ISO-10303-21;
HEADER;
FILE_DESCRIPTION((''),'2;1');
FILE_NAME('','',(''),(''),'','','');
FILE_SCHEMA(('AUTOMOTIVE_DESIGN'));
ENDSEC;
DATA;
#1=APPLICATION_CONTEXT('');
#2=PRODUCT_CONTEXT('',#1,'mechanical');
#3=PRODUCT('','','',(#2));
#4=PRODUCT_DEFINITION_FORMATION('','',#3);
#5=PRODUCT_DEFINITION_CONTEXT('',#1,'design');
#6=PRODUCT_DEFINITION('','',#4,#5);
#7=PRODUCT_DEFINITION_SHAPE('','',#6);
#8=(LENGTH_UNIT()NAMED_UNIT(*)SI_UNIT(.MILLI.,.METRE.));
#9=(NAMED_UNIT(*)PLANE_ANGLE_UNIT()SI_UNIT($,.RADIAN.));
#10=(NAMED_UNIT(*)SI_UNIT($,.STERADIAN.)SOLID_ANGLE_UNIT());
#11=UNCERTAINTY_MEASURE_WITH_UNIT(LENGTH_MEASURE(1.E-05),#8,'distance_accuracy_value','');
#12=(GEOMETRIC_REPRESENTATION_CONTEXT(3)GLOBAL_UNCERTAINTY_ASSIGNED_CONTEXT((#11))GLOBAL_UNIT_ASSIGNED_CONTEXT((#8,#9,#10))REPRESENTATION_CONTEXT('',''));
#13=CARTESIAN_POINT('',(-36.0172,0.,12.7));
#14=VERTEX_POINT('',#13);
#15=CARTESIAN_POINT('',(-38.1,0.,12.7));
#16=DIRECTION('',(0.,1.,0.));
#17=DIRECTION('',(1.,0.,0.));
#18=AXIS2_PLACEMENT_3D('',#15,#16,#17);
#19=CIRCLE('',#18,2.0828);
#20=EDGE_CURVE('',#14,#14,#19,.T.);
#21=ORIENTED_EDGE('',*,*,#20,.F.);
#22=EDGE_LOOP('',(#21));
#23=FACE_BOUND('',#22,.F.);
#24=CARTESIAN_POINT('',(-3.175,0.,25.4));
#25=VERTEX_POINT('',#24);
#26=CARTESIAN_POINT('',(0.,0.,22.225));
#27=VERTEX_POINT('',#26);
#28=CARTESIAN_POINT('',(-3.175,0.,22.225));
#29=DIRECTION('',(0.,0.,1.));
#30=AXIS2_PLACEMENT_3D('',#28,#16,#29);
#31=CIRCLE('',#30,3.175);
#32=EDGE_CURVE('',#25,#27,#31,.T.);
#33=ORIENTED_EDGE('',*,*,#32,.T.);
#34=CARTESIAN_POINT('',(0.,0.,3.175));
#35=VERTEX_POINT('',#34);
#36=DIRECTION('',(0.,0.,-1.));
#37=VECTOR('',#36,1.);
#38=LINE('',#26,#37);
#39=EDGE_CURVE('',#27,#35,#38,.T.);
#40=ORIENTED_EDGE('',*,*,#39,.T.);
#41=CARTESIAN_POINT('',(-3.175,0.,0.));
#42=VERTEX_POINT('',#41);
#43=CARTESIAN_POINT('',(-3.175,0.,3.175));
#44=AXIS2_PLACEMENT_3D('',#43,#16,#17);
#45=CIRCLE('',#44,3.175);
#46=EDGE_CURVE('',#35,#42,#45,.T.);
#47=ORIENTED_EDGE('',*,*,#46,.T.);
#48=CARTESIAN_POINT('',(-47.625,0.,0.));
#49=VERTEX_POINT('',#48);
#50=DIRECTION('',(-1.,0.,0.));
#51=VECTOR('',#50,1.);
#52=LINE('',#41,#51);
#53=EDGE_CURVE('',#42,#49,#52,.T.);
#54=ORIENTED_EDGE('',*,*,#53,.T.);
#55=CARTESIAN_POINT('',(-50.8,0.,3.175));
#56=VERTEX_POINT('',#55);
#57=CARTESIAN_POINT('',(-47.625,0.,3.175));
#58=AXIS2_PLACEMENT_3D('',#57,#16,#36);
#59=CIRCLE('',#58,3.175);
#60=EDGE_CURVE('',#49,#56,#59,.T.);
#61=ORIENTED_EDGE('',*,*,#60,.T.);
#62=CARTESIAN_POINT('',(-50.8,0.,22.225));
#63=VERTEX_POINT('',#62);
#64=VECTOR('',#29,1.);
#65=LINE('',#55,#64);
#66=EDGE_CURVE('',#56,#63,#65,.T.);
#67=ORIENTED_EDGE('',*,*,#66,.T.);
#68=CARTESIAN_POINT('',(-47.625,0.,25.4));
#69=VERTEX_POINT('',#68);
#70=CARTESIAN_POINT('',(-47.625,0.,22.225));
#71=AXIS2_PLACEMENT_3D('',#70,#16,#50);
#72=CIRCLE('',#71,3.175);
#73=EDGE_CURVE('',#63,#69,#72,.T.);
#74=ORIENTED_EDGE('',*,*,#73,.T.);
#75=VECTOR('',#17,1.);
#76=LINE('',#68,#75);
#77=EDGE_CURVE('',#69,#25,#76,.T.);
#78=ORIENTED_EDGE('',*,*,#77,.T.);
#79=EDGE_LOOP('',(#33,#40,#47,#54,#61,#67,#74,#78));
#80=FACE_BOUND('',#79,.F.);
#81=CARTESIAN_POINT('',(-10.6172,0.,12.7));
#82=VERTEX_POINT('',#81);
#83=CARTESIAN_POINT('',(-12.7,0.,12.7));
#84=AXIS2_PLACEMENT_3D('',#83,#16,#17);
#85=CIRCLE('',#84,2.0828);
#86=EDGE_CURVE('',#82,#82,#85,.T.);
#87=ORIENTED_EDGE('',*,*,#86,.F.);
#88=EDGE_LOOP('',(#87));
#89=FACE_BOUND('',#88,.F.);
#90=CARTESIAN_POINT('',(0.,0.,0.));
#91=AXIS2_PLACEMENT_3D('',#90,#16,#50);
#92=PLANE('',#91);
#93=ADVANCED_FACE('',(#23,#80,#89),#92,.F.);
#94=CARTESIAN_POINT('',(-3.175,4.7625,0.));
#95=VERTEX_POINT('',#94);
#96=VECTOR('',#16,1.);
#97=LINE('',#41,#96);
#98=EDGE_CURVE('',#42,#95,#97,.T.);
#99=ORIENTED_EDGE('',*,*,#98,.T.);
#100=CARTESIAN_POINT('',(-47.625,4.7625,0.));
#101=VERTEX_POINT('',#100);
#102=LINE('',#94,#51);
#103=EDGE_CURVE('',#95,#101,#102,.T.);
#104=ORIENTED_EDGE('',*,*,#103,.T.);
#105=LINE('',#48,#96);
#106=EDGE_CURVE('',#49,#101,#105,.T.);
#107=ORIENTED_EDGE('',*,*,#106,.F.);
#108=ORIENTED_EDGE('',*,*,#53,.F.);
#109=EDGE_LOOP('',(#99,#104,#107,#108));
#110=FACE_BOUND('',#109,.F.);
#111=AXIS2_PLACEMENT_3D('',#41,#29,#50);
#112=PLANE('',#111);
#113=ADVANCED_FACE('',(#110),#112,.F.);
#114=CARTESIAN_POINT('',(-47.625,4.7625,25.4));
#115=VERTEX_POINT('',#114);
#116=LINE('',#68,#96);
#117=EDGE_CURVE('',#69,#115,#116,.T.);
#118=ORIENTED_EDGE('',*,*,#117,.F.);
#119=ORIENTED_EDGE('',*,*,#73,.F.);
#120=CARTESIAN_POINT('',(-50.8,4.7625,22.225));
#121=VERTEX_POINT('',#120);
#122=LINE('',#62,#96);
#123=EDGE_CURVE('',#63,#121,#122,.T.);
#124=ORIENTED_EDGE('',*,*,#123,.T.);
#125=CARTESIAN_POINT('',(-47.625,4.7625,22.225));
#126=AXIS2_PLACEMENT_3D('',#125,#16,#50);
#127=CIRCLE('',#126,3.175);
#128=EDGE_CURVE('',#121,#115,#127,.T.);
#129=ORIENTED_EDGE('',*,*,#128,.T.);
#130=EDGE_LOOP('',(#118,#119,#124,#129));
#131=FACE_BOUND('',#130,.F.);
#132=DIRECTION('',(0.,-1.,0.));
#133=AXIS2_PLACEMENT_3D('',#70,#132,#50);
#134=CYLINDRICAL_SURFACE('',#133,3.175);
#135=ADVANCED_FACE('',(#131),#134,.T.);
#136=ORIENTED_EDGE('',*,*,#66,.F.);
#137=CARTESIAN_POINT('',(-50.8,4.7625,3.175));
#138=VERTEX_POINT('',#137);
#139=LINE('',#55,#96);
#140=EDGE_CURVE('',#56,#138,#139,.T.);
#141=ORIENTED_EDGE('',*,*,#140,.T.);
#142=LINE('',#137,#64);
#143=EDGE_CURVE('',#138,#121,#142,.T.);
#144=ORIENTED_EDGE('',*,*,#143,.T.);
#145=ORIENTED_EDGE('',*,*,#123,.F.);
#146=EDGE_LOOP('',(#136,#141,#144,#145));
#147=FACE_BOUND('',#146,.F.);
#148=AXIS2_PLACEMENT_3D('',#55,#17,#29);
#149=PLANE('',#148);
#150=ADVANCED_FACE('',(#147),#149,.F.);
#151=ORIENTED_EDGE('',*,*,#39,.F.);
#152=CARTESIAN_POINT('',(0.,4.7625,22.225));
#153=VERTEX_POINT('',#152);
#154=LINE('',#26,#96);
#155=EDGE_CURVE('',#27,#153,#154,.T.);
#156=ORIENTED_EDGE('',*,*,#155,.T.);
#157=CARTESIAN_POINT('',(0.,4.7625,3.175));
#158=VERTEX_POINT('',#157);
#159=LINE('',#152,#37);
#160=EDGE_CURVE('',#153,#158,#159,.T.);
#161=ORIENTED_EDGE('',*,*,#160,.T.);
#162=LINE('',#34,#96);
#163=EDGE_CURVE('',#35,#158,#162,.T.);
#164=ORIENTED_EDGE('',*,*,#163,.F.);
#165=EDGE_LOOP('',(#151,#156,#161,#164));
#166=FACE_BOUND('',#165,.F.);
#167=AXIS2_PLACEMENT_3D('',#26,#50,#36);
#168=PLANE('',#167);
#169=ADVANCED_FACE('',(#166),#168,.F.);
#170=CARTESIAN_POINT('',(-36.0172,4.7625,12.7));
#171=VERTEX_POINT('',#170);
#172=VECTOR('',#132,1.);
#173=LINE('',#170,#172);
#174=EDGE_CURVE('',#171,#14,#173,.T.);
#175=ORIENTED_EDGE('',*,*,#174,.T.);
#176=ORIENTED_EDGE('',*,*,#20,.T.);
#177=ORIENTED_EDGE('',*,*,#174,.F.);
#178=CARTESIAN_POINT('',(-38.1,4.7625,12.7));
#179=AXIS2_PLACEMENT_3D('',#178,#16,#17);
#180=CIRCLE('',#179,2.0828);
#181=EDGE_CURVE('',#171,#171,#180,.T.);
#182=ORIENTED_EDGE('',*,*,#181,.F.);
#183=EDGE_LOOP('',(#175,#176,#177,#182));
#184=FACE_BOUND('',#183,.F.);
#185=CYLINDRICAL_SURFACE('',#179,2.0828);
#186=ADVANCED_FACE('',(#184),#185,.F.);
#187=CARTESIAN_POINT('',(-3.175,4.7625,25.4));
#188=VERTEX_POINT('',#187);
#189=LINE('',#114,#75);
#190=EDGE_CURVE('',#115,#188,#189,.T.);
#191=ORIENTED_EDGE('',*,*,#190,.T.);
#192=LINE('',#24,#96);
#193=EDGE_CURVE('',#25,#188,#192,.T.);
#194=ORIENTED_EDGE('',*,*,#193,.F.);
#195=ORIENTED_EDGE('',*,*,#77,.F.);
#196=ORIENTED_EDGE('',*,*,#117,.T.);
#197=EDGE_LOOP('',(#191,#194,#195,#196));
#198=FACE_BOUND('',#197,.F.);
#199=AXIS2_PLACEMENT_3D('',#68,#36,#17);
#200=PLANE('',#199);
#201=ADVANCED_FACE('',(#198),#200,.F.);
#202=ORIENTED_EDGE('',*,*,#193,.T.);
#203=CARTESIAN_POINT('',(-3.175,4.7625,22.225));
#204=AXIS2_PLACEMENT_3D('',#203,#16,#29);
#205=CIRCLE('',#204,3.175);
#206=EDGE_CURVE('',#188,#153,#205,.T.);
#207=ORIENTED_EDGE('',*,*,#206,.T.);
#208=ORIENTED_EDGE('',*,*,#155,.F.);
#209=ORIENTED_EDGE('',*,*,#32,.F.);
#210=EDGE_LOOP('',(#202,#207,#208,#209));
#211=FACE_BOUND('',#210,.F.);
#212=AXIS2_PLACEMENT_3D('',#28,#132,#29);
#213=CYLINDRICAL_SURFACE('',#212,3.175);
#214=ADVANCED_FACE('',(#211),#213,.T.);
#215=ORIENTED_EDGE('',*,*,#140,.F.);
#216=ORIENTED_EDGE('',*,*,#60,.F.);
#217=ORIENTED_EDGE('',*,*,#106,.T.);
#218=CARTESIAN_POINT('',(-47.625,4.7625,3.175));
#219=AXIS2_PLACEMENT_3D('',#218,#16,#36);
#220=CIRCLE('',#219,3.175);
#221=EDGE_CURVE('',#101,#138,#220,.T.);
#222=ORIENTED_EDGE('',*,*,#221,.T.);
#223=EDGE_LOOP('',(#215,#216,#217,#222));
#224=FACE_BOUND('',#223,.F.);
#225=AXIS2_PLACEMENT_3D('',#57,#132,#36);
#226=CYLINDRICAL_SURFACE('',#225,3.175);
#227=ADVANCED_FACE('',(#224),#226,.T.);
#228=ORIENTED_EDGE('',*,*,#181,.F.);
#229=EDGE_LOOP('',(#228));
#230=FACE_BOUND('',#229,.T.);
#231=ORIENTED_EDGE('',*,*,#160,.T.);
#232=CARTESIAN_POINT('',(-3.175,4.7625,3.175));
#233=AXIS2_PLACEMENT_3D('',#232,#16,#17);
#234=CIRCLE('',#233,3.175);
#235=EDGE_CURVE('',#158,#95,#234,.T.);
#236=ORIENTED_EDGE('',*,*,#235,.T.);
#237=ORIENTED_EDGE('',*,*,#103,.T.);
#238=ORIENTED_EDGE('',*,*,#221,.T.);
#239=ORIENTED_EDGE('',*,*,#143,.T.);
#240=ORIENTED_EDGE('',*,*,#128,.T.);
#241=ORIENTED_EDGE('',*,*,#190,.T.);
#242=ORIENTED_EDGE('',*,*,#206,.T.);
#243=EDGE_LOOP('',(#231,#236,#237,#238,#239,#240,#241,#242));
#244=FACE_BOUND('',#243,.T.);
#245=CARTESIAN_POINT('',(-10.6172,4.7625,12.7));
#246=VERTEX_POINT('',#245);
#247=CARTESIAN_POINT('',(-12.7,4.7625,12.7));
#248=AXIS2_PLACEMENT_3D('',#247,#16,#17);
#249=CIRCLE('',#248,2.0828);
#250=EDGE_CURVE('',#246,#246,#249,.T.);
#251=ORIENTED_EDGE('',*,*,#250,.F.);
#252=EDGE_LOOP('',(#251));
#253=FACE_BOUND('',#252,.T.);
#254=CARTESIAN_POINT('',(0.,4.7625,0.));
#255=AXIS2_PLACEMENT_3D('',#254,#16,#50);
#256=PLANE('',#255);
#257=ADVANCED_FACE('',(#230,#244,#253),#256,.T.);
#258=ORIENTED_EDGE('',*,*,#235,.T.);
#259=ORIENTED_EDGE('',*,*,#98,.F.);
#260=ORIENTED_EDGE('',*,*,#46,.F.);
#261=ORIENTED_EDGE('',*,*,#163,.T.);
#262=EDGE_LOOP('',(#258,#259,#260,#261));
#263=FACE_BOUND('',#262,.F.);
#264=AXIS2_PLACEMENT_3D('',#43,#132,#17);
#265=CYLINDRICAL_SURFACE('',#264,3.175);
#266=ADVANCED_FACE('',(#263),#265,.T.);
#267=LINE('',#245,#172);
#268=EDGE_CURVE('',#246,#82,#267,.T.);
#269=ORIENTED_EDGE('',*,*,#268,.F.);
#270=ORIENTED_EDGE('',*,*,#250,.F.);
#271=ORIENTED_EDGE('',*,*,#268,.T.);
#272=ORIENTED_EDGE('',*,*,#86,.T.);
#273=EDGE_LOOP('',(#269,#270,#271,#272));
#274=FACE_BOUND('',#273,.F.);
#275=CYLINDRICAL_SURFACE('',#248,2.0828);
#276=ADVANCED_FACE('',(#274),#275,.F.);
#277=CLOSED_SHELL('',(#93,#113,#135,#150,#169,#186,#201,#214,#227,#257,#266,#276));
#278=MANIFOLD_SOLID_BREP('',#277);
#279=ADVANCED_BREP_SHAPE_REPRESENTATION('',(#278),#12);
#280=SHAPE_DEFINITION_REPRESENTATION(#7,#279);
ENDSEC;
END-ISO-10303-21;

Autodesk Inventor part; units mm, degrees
ref_plane "YZ Plane" through (0, 0, 0) normal (1, 0, 0) x (0, 1, 0)
ref_plane "XZ Plane" through (0, 0, 0) normal (0, 1, 0) x (-1, 0, 0)
ref_plane "XY Plane" through (0, 0, 0) normal (0, 0, 1) x (1, 0, 0)
sketch "Sketch1" plane through (0, 0, 0) normal (0, 1, 0) x (-1, 0, 0)
  line L0 (3.175, 0) -> (47.625, 0)
  line L1 (50.8, 3.175) -> (50.8, 22.225)
  line L2 (47.625, 25.4) -> (3.175, 25.4)
  line L3 (0, 22.225) -> (0, 3.175)
  arc A0 (3.175, 25.4) -> (0, 22.225) centre (3.175, 22.225) ccw
  arc A1 (0, 3.175) -> (3.175, 0) centre (3.175, 3.175) ccw
  arc A2 (47.625, 0) -> (50.8, 3.175) centre (47.625, 3.175) ccw
  arc A3 (50.8, 22.225) -> (47.625, 25.4) centre (47.625, 22.225) ccw
  point P0 (0, 0)
  point P1 (50.8, 25.4)
  point P2 (0, 25.4)
  dimension "d0" = 25.4
  dimension "d1" = 50.8
  dimension "d2" = 3.175
extrude "Extrusion1" add sketch "Sketch1" along normal blind 4.7625
sketch "Sketch2" plane through (0, 4.7625, 0) normal (0, 1, 0) x (1, 0, 0)
  line L0 (-3.175, 0) -> (-47.625, 0) projected
  line L1 (-50.8, -3.175) -> (-50.8, -22.225) projected
  line L2 (-47.625, -25.4) -> (-3.175, -25.4) projected
  circle A0 centre (-38.1, -12.7) radius 2.0828
  circle A1 centre (-12.7, -12.7) radius 2.0828
  point P0 (0, 0)
  dimension "d5" = 4.1656
  dimension "d6" = 12.7
  dimension "d7" = 12.7
  dimension "d10" = 25.4
extrude "Extrusion2" cut sketch "Sketch2" against normal blind 4.7625
properties part number "Spacer" material "Aluminum 6061"
